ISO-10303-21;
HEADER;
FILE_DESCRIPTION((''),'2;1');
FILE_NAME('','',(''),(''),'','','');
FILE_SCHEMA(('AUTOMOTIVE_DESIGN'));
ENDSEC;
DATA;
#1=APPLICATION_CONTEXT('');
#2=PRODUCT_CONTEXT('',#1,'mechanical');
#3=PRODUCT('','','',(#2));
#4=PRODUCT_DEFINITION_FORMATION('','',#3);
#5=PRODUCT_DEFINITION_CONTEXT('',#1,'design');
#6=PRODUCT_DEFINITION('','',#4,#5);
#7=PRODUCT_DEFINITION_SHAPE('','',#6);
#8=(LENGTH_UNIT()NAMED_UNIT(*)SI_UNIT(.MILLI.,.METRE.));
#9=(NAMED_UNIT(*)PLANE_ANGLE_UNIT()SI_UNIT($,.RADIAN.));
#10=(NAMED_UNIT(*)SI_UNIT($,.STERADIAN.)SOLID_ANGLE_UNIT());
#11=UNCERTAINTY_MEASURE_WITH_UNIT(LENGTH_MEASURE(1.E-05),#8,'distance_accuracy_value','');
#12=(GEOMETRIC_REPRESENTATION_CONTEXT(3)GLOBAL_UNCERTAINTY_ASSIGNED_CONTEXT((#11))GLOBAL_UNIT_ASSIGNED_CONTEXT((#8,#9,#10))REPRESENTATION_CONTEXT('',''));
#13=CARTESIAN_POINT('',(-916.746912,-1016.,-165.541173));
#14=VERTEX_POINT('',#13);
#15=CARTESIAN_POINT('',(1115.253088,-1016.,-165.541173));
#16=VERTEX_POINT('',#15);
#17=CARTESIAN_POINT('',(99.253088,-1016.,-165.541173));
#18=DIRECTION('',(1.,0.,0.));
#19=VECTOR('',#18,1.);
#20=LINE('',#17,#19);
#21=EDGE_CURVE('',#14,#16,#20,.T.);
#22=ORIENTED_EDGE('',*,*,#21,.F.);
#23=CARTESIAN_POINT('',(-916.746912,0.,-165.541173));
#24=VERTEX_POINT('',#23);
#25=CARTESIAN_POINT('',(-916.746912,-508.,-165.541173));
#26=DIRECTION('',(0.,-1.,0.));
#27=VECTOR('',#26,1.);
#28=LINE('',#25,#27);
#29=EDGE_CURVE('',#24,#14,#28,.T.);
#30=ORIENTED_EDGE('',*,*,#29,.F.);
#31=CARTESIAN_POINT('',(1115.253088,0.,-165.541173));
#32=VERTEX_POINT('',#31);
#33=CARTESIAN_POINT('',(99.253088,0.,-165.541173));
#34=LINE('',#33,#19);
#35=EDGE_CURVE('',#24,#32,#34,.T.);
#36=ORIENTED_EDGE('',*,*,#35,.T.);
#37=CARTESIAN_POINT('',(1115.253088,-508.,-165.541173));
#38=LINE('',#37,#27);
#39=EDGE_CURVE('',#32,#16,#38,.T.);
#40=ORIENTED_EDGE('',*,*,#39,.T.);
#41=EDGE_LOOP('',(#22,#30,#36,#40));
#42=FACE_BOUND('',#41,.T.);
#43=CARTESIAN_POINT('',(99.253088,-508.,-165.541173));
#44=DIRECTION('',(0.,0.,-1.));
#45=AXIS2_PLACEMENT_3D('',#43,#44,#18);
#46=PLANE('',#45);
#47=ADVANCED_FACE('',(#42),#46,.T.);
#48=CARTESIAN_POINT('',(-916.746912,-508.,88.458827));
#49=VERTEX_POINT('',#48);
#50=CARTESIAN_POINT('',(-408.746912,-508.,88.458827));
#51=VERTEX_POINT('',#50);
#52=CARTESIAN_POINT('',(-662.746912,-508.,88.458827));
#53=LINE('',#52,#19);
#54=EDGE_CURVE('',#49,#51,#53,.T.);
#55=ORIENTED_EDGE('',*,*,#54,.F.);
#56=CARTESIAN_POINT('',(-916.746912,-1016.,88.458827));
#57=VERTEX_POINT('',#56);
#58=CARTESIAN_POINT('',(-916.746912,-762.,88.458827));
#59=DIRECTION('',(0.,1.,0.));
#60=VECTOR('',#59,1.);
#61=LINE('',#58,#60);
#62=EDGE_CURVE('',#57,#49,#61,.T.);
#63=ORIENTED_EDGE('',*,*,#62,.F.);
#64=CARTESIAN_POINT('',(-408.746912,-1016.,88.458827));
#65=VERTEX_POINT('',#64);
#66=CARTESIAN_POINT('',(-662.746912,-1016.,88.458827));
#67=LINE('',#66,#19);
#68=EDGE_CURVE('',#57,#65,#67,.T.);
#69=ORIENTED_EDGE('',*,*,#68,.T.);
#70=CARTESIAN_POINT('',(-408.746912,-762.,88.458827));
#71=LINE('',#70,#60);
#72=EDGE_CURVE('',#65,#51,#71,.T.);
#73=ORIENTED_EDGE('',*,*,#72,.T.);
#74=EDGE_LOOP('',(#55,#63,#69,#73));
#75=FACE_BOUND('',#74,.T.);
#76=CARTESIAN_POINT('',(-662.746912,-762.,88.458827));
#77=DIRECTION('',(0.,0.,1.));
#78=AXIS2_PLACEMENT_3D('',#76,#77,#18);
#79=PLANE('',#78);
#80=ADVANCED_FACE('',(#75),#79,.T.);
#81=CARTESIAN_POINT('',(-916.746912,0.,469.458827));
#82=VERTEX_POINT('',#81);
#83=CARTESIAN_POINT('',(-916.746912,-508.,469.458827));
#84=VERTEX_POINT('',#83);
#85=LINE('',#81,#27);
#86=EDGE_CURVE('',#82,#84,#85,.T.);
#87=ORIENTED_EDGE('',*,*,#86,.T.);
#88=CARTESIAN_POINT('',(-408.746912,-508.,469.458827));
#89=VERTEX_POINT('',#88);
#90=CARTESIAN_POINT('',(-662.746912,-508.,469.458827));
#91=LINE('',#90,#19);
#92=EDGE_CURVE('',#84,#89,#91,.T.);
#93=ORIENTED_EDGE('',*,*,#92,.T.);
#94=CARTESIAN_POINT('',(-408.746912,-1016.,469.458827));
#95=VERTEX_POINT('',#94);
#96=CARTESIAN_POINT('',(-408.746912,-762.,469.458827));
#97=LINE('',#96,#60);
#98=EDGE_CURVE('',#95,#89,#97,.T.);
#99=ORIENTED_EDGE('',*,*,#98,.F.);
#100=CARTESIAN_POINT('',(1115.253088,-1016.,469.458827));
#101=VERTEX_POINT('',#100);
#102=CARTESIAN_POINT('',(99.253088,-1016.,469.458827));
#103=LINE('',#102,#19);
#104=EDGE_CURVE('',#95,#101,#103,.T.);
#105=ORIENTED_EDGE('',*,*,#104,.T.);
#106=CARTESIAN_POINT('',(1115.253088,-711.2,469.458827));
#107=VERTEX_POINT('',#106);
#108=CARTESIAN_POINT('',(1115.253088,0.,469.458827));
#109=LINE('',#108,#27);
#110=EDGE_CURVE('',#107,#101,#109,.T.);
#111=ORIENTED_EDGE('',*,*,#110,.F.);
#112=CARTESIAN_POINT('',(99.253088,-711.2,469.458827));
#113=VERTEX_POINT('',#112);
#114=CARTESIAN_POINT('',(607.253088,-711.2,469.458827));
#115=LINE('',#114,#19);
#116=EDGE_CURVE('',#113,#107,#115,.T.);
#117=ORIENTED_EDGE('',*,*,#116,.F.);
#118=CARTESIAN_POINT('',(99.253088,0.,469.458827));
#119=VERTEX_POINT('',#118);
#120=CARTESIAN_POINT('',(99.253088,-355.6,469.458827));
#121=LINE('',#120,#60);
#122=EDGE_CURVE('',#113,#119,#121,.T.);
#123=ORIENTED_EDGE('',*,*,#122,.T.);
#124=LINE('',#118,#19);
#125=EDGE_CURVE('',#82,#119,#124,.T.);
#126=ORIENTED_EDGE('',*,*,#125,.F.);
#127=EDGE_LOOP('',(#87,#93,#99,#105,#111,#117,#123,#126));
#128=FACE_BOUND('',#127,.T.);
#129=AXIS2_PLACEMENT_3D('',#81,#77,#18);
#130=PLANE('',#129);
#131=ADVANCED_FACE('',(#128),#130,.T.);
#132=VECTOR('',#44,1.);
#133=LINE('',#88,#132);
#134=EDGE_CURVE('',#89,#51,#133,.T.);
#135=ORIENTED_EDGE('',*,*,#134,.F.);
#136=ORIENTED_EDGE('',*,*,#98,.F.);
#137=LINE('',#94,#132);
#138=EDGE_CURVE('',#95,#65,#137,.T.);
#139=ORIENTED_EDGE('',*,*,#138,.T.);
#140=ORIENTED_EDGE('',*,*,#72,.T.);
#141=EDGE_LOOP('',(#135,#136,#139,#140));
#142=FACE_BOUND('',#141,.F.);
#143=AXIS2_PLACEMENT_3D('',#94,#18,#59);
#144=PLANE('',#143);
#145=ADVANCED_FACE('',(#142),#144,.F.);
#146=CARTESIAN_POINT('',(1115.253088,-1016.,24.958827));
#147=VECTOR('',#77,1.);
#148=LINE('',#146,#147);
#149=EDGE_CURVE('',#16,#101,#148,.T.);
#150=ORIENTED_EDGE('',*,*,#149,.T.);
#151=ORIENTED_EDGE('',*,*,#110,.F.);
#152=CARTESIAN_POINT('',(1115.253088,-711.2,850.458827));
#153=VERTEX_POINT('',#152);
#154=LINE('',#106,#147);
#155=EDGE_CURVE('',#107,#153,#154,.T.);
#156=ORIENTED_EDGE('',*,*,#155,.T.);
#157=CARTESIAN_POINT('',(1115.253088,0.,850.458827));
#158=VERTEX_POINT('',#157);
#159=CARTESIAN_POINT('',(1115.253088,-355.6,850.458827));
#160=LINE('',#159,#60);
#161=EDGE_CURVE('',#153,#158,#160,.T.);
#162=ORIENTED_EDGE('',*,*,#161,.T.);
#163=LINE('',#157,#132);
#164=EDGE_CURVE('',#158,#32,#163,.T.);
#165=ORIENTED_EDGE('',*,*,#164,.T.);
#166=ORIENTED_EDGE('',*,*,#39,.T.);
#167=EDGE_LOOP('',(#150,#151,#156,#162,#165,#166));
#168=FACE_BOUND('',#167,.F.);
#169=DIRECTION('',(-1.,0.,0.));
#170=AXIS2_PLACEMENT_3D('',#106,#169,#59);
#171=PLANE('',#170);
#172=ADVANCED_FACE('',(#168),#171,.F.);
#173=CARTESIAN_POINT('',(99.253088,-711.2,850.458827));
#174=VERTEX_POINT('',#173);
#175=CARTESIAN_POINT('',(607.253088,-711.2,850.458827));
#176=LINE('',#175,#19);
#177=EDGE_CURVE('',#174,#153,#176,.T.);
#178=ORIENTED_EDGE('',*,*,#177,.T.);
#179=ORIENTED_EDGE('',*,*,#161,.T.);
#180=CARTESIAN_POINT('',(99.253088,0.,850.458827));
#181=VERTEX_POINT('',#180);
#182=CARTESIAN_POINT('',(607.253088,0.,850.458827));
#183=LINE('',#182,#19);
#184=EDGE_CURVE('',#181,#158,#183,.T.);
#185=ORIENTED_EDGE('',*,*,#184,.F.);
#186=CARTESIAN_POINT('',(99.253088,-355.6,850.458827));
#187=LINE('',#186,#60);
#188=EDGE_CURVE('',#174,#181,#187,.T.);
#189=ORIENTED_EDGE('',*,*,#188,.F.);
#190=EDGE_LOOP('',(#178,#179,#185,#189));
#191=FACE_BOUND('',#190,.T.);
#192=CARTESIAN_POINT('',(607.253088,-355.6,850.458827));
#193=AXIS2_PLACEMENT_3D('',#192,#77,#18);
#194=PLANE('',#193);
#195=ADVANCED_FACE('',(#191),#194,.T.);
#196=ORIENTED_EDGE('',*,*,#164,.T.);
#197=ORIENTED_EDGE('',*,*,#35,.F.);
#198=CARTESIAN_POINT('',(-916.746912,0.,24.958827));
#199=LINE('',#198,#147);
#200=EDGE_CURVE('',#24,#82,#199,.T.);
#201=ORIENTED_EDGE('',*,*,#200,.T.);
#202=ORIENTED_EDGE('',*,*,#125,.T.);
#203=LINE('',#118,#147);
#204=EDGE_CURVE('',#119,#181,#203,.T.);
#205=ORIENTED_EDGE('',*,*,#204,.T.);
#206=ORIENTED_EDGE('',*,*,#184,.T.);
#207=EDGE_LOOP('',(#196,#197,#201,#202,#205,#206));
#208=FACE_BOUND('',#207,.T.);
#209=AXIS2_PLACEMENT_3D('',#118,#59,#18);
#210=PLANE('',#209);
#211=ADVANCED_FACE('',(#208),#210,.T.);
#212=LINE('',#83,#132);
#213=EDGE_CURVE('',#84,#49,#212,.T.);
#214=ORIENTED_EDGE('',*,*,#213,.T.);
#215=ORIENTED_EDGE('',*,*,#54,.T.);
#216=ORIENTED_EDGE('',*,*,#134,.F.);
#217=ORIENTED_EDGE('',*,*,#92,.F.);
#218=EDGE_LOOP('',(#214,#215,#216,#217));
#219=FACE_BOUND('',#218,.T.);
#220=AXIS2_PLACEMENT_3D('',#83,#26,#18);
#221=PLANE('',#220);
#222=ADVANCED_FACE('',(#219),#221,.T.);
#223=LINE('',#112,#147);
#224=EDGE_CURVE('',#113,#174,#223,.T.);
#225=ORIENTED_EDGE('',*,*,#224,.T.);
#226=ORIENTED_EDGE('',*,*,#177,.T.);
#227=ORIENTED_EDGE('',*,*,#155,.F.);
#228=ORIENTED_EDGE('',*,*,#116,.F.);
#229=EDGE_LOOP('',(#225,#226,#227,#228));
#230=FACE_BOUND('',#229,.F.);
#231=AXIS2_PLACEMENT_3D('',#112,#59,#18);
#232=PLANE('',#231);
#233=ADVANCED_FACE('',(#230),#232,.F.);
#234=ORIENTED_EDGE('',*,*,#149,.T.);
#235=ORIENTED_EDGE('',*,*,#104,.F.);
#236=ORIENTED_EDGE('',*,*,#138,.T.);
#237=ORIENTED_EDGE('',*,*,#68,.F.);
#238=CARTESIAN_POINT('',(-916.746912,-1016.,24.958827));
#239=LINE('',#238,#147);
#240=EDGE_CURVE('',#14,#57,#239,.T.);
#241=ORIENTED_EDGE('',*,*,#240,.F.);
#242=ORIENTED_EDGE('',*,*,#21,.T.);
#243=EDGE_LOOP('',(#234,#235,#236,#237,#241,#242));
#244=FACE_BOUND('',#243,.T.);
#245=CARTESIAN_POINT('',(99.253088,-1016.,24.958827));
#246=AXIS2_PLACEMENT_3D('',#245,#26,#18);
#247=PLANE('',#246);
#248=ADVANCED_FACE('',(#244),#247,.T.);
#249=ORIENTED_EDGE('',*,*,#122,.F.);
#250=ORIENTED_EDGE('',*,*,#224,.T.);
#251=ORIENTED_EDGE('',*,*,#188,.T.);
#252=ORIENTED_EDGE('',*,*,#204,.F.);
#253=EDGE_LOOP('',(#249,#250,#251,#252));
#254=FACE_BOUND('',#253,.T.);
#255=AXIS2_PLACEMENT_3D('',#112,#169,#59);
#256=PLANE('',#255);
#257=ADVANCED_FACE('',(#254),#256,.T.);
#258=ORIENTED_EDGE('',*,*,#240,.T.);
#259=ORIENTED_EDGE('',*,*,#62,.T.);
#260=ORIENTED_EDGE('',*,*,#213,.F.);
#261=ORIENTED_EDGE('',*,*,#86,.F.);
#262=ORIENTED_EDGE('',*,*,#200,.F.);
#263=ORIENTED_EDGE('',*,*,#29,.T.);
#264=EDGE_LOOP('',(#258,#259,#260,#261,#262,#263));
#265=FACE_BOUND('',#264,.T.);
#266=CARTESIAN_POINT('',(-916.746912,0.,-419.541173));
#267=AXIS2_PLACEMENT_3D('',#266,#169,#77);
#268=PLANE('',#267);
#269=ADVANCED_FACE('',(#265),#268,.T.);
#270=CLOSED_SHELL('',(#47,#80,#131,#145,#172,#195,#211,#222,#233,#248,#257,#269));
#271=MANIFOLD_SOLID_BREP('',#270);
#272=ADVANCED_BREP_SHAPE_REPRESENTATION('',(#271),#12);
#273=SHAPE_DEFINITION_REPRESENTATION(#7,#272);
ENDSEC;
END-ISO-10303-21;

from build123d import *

# Parameters (mm, degrees)
F0_W     = 2032
F0_H     = 889
F1_DEPTH = 1016
F2_W     = 1016
F2_H     = 711.2
F3_DEPTH = 381
F4_W     = 508
F4_H     = 508
F5_DEPTH = 381
F6_W     = 2032
F6_H     = 1016
F7_DEPTH = 254


with BuildPart() as f1:
    # F0 (on Front) → F1 (new body)
    with BuildSketch(Plane.XZ):
        with Locations((99.253088, 24.958827)):
            Rectangle(F0_W, F0_H)
    extrude(amount=F1_DEPTH)

    # F2 (on face) → F3 (join)
    with BuildSketch(Plane.XY.offset(469.458827)):
        with Locations((607.253088, -355.6)):
            Rectangle(F2_W, F2_H)
    extrude(amount=F3_DEPTH)

    # F4 (on face) → F5 (cut)
    with BuildSketch(Plane.XY.offset(469.458827)):
        with Locations((-662.746912, -762)):
            Rectangle(F4_W, F4_H)
    extrude(amount=-F5_DEPTH, mode=Mode.SUBTRACT)

    # F6 (on face) → F7 (cut)
    with BuildSketch(Plane(origin=(0, 0, -419.541173), x_dir=(1, 0, 0), z_dir=(0, 0, -1))):
        with Locations((99.253088, 508)):
            Rectangle(F6_W, F6_H)
    extrude(amount=-F7_DEPTH, mode=Mode.SUBTRACT)


solid = f1.part
